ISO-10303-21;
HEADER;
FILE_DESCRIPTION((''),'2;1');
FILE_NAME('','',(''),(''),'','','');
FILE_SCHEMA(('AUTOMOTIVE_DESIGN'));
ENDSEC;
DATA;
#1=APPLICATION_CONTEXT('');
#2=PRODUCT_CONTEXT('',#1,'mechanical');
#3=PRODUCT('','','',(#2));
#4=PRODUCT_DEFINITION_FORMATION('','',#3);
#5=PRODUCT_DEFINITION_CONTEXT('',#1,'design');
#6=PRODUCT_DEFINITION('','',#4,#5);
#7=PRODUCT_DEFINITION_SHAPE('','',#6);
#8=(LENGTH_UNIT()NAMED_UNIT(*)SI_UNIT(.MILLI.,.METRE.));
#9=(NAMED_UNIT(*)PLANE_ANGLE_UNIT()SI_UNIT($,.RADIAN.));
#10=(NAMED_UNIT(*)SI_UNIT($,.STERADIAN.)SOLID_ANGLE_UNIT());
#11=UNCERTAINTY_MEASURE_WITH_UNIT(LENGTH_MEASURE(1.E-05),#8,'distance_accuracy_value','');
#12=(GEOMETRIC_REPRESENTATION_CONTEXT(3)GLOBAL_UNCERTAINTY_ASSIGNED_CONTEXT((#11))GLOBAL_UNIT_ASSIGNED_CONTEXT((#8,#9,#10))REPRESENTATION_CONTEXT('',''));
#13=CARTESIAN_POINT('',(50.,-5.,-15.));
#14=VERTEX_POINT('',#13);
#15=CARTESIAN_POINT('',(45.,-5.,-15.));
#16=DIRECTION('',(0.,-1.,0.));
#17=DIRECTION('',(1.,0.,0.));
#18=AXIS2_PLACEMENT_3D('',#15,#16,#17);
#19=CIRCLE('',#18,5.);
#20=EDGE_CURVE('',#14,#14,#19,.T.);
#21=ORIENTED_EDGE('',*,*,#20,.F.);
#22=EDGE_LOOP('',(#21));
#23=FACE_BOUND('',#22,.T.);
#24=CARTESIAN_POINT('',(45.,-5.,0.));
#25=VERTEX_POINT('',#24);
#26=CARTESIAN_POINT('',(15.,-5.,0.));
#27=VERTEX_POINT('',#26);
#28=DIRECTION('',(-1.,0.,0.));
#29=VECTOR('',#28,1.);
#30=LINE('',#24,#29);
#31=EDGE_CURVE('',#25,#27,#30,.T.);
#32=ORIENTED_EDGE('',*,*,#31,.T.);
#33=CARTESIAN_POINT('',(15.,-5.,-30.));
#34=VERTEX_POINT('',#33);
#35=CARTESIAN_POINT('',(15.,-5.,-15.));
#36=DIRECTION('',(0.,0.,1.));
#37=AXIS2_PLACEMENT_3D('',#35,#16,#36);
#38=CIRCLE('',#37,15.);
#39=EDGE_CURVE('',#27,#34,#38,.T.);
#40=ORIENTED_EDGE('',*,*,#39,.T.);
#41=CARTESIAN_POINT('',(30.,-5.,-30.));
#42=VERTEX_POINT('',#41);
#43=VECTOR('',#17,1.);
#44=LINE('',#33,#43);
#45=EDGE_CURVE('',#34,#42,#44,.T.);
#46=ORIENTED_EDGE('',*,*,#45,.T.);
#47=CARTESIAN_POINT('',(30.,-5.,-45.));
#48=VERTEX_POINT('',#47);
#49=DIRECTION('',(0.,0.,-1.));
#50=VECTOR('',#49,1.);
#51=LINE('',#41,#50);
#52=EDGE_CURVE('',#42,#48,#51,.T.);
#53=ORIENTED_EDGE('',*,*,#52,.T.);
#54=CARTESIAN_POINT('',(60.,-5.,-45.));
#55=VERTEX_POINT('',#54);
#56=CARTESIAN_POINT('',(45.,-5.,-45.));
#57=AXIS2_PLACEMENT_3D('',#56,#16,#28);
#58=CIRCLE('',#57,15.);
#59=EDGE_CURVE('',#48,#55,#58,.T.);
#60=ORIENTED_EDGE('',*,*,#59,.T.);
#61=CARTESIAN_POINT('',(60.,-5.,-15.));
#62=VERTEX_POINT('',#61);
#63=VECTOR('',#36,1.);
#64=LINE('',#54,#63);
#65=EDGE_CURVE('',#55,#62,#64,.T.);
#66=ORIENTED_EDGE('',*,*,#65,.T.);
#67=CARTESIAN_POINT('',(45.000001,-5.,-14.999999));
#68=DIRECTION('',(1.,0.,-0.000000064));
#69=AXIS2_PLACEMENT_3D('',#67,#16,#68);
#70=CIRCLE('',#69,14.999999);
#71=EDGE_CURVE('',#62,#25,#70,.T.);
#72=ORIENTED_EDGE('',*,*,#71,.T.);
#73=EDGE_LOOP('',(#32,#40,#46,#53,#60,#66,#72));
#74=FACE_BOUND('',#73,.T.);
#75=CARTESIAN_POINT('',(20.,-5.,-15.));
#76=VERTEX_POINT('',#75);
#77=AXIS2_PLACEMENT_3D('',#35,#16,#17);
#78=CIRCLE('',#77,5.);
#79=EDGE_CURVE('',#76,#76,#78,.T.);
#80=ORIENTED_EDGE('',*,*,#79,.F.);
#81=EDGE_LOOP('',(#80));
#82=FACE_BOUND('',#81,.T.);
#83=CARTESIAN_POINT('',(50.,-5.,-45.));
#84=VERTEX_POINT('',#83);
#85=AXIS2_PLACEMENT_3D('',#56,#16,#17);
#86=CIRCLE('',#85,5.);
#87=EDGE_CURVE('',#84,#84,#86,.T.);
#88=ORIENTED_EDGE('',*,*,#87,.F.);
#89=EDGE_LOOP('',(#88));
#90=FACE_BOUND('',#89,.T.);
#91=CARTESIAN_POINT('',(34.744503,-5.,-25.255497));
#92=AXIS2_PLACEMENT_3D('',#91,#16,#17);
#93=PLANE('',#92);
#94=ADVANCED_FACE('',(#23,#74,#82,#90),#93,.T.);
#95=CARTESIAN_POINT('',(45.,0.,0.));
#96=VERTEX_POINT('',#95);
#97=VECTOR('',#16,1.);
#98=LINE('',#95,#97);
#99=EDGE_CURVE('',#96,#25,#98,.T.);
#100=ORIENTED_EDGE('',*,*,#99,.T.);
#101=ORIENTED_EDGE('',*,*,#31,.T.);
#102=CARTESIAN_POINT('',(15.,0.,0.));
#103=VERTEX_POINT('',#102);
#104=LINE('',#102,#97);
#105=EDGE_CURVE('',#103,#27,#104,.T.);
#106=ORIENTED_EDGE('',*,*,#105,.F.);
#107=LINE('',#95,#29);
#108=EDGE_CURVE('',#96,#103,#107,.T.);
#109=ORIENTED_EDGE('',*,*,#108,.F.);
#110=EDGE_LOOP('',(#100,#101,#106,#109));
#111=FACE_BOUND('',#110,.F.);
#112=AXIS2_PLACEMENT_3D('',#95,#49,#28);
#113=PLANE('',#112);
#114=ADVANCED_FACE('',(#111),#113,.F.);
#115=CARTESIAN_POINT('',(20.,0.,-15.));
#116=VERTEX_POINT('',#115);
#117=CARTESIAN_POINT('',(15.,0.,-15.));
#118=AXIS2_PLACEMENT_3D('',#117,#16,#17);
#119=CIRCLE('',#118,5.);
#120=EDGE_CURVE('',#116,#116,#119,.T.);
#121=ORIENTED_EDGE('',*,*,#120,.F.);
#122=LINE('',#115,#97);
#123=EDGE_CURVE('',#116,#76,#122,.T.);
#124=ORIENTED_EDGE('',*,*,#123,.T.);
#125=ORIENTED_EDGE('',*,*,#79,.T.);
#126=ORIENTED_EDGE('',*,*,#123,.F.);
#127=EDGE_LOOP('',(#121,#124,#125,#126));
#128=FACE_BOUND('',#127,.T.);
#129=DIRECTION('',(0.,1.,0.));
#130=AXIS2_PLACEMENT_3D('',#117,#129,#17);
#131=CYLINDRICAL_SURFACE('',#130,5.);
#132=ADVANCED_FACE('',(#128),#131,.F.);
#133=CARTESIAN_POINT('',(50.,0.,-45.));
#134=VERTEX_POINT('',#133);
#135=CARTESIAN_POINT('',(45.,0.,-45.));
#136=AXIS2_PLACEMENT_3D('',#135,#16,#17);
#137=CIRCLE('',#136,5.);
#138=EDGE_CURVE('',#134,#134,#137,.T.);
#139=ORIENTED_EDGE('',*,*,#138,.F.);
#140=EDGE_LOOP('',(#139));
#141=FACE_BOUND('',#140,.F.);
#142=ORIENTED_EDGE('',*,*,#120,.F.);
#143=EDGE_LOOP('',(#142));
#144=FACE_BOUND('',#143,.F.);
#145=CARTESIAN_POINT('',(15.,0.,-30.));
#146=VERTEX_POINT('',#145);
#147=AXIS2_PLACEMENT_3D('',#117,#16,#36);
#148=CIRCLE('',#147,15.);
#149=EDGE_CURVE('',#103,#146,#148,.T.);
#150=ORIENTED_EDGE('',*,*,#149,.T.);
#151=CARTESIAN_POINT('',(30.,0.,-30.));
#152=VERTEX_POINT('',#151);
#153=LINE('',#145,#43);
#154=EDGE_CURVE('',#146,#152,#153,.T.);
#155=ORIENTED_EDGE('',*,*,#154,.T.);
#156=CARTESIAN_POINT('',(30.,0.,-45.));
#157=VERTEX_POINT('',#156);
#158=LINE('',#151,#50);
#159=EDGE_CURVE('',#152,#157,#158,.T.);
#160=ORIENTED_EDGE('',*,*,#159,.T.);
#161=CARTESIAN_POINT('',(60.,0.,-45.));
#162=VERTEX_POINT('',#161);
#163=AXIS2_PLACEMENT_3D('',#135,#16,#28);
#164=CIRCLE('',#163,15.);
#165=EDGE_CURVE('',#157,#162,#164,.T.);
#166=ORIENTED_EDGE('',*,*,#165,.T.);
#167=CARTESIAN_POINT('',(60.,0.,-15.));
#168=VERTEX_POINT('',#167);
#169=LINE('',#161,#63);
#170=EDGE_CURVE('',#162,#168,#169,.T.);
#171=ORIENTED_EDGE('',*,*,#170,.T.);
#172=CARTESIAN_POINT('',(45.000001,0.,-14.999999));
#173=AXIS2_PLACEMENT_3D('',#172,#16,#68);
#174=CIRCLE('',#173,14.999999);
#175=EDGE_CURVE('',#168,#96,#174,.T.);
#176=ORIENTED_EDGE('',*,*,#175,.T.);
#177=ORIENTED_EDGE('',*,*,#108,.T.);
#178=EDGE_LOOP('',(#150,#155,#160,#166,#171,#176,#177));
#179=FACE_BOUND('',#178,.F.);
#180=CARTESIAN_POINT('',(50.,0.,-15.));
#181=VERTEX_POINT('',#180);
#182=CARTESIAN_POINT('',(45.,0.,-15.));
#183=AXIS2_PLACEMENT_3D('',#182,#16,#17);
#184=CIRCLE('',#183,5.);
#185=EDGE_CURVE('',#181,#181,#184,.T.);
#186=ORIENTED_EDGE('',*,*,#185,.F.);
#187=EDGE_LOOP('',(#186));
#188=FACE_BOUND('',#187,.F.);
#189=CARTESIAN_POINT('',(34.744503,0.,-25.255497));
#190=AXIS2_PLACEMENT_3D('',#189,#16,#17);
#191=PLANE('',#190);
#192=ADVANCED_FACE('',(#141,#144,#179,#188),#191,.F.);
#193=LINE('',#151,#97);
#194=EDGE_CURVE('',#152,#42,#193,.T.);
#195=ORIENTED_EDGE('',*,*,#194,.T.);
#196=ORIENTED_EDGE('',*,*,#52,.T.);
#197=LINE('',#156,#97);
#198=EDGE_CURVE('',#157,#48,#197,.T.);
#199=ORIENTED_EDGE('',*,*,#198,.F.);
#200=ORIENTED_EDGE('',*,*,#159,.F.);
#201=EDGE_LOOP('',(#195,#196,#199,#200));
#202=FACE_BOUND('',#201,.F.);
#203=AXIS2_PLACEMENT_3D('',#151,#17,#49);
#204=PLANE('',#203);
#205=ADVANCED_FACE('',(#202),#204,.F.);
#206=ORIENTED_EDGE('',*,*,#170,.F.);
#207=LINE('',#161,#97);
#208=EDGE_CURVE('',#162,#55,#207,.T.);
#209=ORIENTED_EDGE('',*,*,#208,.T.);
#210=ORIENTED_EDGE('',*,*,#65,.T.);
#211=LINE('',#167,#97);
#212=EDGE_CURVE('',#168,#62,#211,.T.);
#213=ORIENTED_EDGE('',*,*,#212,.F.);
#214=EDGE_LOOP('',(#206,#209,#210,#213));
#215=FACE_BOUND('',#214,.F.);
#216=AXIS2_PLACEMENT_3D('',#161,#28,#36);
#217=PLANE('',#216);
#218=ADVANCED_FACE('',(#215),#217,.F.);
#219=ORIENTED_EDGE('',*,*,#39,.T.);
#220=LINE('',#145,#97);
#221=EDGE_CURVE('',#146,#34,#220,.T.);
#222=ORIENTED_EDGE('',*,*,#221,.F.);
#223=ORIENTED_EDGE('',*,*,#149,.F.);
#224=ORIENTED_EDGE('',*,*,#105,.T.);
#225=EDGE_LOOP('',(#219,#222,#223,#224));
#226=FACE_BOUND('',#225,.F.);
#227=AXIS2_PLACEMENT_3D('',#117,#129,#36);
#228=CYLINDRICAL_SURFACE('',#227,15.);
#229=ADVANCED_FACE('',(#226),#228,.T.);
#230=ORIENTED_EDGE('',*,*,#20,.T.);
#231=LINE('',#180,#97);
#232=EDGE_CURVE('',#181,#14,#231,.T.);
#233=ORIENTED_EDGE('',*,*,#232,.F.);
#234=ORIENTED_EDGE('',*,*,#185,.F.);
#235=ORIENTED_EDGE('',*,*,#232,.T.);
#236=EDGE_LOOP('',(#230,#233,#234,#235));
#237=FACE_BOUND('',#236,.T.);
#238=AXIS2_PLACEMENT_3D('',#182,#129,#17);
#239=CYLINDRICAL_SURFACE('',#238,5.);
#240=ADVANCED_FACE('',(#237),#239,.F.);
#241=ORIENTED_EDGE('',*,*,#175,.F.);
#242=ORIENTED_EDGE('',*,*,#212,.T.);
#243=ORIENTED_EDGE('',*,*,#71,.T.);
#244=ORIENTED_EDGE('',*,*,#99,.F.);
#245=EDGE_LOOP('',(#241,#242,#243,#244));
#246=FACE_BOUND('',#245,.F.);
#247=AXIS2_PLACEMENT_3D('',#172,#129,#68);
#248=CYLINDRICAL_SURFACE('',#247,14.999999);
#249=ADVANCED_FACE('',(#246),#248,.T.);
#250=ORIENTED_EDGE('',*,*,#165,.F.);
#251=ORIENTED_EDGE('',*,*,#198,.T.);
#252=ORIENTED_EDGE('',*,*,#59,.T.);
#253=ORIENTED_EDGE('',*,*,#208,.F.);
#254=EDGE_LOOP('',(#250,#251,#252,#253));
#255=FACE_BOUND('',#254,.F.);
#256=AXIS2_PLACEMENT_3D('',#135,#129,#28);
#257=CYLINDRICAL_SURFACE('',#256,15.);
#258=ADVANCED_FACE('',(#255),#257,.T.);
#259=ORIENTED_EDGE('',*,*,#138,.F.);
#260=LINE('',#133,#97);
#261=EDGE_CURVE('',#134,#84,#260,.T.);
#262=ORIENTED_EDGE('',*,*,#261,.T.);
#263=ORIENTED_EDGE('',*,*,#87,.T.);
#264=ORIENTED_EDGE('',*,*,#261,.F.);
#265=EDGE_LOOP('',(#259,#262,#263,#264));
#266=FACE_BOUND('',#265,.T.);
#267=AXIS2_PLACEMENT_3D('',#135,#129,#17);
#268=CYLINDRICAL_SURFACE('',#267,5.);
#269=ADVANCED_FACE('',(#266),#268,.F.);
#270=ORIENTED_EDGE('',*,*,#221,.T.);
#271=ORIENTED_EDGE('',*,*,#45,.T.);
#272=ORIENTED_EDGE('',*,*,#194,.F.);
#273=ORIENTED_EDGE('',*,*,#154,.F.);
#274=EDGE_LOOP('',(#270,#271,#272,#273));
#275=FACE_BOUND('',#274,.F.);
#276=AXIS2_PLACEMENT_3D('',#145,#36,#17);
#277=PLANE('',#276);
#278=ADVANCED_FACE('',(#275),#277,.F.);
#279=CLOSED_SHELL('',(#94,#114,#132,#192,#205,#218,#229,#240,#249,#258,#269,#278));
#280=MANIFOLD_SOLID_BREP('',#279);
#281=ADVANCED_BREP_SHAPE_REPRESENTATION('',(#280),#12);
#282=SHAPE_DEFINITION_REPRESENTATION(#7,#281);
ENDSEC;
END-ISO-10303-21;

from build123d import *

# Parameters (mm, degrees)
F0_R     = 5
F1_DEPTH = 5


with BuildPart() as f1:
    # F0 (on Front) → F1 (new body)
    with BuildSketch(Plane.XZ):
        with BuildLine():
            Line((45, 0), (15, 0))
            ThreePointArc((15, 0), (0, -15), (15, -30))
            Line((15, -30), (30, -30))
            Line((30, -30), (30, -45))
            ThreePointArc((30, -45), (45, -60), (60, -45))
            Line((60, -45), (60, -15))
            ThreePointArc((60, -15), (55.606602, -4.393398), (45, 0))
        make_face()
        with Locations((45, -45)):
            Circle(F0_R, mode=Mode.SUBTRACT)
        with Locations((15, -15)):
            Circle(F0_R, mode=Mode.SUBTRACT)
        with Locations((45, -15)):
            Circle(F0_R, mode=Mode.SUBTRACT)
    extrude(amount=F1_DEPTH)


solid = f1.part
